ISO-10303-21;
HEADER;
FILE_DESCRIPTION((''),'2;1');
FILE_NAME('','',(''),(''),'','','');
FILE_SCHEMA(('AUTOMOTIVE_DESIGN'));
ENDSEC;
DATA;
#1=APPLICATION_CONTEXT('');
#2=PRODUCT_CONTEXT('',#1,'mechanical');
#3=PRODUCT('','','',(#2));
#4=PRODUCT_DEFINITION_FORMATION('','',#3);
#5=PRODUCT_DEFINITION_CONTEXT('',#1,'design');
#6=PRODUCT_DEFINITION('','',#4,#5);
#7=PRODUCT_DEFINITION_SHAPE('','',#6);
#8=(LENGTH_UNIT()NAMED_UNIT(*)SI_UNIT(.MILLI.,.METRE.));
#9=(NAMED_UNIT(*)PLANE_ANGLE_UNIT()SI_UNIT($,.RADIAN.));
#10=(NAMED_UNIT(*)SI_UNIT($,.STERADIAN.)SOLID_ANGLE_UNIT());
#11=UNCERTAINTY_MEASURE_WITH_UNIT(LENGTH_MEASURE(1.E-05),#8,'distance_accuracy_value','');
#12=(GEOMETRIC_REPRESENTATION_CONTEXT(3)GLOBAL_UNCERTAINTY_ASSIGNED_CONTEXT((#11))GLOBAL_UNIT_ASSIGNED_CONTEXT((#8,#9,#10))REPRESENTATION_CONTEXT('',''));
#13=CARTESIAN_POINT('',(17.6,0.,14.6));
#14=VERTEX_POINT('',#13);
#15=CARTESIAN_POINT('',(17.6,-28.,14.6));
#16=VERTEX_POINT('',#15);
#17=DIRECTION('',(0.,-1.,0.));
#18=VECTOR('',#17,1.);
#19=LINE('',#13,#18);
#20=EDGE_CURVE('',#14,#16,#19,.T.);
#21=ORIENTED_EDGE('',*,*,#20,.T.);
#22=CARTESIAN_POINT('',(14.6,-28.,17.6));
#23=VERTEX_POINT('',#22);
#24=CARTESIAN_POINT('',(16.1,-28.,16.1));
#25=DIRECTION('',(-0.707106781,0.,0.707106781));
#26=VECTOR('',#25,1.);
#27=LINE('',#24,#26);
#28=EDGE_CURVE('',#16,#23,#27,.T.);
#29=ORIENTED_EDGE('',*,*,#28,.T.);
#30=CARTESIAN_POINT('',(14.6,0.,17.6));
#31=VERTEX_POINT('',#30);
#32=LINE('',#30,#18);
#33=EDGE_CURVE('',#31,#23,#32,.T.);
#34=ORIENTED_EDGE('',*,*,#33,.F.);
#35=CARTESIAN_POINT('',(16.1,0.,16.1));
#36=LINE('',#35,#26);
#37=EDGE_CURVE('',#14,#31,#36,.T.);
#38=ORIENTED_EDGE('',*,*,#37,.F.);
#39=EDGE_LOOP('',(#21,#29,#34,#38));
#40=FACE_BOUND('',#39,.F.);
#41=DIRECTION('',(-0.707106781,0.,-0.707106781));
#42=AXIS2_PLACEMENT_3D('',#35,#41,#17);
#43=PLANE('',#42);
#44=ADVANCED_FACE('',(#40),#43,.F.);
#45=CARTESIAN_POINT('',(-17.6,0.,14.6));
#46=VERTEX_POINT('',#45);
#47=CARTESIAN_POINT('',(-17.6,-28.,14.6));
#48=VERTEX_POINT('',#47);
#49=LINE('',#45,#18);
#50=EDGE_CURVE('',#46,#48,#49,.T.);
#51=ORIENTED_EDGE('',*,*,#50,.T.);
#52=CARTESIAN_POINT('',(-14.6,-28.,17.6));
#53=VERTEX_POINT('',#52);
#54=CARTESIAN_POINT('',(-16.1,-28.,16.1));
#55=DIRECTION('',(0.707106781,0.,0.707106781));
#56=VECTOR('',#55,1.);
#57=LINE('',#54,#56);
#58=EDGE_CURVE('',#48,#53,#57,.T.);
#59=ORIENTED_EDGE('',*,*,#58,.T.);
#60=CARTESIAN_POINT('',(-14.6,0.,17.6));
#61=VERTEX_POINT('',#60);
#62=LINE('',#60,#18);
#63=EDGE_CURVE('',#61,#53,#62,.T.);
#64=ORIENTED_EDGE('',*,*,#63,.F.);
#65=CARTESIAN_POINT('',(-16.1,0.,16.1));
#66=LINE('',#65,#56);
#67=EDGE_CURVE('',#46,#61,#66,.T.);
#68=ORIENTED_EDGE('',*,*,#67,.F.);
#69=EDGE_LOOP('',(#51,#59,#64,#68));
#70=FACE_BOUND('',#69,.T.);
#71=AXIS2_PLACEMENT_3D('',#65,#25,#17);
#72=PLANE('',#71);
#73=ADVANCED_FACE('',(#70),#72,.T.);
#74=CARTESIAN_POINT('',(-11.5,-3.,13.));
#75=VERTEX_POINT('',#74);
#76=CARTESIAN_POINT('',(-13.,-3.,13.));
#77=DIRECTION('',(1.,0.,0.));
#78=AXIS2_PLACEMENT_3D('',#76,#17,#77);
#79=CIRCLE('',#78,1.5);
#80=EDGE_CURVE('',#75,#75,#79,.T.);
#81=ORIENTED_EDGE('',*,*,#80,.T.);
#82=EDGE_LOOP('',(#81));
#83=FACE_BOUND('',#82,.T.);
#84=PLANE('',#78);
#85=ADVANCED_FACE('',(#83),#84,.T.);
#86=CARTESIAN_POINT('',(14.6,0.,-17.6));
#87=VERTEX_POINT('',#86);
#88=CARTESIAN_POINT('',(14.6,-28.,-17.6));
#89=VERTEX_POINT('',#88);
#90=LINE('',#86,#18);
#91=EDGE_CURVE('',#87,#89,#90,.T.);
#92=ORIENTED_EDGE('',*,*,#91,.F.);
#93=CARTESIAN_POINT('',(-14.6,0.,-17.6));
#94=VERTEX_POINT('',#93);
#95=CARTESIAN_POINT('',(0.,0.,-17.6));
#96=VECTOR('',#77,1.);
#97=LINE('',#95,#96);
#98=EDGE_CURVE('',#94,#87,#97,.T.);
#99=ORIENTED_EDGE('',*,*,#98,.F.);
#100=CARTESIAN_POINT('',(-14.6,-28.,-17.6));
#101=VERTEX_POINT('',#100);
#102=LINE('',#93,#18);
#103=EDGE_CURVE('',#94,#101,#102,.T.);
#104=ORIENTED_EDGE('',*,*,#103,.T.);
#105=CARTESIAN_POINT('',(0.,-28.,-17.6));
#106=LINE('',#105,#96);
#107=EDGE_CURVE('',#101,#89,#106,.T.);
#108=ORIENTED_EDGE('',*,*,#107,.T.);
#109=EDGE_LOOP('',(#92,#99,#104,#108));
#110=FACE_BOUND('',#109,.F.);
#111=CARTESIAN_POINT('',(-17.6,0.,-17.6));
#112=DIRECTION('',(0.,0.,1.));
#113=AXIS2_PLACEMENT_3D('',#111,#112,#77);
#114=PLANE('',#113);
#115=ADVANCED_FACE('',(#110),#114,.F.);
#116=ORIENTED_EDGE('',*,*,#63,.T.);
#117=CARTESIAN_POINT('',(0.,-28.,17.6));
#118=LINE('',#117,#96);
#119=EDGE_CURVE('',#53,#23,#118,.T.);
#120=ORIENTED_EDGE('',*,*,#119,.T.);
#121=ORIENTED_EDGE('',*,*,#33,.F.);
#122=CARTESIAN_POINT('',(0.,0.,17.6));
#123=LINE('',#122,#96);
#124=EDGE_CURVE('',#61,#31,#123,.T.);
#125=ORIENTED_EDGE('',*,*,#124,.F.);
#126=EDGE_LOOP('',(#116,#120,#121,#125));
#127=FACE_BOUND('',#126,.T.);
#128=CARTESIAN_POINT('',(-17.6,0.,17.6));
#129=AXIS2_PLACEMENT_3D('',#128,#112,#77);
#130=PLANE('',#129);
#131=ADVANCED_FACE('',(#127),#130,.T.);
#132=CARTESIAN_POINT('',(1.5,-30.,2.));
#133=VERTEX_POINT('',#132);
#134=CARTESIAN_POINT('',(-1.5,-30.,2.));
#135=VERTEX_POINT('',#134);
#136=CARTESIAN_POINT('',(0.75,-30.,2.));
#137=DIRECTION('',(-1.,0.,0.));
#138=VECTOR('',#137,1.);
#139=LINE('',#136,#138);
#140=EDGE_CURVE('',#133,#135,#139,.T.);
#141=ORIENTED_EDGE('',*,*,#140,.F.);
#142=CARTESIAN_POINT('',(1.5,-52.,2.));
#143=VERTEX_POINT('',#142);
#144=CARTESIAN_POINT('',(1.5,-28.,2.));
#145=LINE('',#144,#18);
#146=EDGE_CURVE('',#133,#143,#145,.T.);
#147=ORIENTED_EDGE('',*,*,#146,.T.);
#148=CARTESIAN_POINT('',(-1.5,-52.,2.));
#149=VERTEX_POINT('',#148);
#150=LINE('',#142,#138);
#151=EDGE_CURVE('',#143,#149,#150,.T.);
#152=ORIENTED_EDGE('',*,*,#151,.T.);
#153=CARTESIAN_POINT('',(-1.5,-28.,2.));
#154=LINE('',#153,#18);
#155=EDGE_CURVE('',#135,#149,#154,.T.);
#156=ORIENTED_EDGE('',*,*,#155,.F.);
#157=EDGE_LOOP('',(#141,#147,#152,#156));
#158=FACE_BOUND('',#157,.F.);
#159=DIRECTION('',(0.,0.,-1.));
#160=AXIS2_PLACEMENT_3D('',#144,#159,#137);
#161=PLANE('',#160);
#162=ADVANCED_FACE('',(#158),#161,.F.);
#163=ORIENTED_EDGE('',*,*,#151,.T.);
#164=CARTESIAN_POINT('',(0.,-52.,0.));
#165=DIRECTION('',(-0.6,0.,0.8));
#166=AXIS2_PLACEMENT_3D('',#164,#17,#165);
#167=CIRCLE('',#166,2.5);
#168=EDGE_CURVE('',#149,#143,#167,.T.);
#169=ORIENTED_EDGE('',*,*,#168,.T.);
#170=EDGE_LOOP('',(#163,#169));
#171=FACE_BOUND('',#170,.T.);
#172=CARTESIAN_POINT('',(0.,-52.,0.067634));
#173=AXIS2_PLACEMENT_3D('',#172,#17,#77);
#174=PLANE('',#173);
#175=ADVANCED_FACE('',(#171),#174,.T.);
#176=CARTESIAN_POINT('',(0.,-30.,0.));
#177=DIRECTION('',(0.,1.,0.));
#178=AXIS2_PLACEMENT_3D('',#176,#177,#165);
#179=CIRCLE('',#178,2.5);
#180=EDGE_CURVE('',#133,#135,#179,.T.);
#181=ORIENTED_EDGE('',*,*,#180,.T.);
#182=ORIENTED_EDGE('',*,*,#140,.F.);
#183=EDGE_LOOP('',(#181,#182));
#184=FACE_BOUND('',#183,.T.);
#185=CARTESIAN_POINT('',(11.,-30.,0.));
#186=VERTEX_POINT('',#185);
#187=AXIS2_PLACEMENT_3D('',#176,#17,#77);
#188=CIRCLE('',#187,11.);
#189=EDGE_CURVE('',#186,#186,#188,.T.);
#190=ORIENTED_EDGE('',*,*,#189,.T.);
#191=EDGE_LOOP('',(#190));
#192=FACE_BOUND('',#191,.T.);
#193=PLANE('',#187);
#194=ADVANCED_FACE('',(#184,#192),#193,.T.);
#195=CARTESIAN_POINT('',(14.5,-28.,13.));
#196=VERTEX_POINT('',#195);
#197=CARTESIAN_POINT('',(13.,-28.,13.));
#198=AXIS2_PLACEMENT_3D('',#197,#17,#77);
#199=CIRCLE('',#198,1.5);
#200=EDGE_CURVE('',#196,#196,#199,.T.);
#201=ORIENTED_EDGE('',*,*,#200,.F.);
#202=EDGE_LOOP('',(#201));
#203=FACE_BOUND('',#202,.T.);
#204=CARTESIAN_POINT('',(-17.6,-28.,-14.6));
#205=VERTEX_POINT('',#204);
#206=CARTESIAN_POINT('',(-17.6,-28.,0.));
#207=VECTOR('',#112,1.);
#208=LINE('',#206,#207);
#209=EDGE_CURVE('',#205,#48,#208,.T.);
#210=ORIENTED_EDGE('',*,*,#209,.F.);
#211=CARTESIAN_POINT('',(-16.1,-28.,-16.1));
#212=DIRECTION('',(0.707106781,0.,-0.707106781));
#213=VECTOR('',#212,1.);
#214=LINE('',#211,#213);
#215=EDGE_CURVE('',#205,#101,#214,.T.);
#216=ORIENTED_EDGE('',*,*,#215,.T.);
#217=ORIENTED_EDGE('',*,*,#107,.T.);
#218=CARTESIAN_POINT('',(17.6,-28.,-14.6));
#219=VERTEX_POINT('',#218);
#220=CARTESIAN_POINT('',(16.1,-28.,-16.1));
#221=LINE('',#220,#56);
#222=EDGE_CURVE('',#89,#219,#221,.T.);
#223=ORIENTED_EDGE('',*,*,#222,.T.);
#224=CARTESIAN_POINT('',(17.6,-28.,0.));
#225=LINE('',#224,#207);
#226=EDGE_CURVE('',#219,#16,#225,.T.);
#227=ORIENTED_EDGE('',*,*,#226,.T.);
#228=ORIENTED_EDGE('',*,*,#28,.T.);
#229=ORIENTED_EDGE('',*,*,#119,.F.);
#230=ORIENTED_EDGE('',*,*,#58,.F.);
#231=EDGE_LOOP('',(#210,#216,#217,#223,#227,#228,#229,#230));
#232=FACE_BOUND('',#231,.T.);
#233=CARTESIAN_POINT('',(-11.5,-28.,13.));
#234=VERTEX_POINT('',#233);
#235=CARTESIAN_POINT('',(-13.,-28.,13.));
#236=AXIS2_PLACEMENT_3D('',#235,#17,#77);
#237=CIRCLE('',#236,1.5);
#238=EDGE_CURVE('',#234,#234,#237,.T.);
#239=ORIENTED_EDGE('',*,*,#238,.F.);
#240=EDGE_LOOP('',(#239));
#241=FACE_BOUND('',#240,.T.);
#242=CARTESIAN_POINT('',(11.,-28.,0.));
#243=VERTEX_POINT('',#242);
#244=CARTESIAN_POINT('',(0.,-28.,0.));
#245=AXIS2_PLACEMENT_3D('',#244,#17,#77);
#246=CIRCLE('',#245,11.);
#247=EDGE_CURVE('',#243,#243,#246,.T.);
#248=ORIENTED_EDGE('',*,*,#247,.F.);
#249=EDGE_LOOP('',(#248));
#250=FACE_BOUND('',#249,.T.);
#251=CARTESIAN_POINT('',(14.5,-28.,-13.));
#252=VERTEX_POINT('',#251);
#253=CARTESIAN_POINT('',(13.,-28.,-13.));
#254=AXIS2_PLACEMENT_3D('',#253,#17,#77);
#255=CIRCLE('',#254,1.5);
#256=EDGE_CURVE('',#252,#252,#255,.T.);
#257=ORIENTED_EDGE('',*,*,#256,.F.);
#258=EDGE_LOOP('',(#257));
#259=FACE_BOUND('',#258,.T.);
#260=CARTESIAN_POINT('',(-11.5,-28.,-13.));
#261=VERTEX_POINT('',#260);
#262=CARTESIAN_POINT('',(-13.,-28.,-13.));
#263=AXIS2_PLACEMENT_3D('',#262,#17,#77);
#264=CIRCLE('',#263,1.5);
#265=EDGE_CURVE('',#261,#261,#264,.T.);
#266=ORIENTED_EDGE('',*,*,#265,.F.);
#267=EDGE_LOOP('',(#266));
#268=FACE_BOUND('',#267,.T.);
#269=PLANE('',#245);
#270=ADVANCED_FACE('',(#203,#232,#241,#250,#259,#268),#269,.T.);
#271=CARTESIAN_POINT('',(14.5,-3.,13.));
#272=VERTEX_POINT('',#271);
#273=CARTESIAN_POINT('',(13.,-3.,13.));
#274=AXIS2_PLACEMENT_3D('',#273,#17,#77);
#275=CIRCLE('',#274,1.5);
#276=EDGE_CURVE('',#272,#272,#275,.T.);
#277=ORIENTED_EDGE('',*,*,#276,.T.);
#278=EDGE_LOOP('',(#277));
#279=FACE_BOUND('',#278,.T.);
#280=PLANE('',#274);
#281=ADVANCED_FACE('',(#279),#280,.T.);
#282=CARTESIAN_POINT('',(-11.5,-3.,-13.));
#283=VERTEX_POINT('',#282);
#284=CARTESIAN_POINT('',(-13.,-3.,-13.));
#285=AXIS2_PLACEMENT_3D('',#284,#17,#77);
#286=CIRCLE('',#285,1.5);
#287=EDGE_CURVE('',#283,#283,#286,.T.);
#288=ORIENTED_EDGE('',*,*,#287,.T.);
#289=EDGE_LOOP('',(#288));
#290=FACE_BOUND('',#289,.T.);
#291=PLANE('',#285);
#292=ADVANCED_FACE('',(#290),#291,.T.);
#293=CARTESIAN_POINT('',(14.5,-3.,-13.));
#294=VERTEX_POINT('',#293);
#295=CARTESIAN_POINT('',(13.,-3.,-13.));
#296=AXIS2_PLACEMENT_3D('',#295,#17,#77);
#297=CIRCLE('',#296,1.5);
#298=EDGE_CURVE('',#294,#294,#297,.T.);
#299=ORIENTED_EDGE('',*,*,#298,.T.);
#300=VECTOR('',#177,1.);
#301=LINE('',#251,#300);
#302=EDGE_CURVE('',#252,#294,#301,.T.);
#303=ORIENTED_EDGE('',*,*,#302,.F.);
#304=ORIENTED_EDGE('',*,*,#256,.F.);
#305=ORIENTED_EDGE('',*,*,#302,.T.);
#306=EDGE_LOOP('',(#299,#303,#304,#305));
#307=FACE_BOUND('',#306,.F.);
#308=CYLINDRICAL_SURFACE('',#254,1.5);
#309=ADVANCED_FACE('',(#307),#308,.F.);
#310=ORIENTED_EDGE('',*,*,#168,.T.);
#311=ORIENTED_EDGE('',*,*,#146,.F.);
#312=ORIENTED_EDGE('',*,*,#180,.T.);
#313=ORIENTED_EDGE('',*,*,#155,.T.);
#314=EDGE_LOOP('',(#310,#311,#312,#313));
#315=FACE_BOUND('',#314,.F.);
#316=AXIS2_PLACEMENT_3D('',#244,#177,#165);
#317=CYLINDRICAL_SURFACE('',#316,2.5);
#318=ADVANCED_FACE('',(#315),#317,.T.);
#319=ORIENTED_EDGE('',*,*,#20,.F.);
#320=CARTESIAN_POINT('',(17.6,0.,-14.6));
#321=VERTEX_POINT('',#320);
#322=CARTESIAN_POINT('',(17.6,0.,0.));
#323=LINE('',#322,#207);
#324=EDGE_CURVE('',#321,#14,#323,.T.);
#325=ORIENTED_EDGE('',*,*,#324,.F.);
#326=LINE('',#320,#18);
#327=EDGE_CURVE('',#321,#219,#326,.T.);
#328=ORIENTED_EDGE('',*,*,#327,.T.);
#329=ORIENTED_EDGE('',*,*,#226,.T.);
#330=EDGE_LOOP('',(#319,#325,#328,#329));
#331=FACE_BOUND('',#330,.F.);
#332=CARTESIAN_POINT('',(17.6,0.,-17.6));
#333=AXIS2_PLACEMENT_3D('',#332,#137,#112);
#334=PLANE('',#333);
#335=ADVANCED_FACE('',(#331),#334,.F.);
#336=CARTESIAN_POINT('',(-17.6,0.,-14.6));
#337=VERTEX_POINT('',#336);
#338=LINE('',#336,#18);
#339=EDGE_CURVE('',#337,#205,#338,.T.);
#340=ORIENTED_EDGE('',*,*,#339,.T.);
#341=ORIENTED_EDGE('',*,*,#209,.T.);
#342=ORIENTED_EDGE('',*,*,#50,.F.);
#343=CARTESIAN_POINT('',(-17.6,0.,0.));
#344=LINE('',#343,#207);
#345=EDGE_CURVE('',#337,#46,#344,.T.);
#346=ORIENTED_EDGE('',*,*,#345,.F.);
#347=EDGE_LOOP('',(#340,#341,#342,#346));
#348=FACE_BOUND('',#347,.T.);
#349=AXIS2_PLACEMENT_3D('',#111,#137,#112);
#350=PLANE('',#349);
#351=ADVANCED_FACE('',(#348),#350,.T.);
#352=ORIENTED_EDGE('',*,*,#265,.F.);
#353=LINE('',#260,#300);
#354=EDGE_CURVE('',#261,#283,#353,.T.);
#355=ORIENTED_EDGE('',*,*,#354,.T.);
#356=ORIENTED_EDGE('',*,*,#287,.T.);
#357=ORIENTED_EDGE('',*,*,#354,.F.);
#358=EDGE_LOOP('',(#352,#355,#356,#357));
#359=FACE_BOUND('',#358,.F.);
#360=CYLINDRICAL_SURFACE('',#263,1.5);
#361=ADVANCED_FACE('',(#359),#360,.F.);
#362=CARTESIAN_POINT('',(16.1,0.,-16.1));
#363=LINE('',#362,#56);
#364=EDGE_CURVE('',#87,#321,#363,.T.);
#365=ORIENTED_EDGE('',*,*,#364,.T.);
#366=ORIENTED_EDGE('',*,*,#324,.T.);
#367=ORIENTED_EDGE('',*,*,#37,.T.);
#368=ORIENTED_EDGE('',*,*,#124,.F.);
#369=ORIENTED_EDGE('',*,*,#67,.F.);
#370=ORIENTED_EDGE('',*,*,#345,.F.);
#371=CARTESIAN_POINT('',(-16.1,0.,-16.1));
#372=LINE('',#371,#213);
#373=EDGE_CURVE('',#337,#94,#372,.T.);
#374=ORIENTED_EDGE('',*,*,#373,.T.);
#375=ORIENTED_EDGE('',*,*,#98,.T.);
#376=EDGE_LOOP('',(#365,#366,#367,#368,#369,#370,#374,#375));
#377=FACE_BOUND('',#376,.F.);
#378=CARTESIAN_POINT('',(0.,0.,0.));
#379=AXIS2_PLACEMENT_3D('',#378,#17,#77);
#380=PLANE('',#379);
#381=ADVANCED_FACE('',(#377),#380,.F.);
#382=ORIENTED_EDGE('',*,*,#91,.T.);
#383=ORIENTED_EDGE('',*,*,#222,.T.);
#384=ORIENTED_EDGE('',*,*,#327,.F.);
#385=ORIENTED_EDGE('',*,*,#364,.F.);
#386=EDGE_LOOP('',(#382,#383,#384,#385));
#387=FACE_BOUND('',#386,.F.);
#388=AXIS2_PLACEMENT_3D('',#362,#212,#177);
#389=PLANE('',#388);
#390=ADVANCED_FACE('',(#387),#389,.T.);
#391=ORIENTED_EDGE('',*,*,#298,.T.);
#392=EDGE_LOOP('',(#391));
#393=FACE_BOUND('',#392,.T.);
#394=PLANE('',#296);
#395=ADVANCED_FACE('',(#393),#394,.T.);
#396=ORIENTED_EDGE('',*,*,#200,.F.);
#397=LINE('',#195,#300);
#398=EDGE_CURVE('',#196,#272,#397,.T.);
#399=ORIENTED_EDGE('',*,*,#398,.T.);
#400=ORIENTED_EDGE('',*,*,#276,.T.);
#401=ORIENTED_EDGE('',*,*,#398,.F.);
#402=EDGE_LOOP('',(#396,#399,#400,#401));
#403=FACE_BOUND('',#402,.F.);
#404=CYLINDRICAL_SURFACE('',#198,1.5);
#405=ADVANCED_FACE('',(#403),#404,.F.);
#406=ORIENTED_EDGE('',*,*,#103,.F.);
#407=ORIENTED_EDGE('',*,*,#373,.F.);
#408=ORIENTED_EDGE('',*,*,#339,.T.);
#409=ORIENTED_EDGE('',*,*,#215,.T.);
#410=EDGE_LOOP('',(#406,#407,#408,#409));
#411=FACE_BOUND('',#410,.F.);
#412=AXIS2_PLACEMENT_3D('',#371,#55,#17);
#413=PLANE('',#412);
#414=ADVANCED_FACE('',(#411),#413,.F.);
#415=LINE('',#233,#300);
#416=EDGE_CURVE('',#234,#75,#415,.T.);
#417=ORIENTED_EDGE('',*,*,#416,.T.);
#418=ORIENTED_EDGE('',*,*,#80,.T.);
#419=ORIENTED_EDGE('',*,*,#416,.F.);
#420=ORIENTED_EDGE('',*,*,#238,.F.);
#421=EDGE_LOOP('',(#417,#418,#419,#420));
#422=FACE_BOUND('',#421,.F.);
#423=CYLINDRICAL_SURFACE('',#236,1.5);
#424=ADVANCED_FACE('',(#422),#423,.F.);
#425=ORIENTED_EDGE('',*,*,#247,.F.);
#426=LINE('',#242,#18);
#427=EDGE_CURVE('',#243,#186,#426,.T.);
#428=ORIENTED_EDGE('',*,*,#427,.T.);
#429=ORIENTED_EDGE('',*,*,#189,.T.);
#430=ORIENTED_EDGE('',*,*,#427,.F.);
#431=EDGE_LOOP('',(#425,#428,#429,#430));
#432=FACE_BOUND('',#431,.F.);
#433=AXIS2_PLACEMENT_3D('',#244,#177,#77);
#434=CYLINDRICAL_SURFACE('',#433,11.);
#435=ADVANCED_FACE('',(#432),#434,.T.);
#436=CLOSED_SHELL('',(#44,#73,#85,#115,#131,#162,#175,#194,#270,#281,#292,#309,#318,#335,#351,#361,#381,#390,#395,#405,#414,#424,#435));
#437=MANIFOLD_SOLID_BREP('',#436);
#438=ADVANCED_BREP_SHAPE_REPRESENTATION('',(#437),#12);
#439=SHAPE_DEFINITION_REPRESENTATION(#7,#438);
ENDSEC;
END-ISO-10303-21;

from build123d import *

# Parameters (mm, degrees)
F0_W     = 35.2
F0_H     = 35.2
F1_DEPTH = 28
F2_SIZE  = 3
F4_DEPTH = 24
F5_R     = 11
F6_DEPTH = 2
F7_R     = 1.5
F8_DEPTH = 25


with BuildPart() as f1:
    # F0 (on Front) → F1 (new body)
    with BuildSketch(Plane.XZ):
        Rectangle(F0_W, F0_H)
    extrude(amount=F1_DEPTH)

    # F2
    f2_edges = [f1.edges().sort_by_distance(p)[0] for p in [
        (-17.6, -14, 17.6),
        (-17.6, -14, -17.6),
        (17.6, -14, -17.6),
        (17.6, -14, 17.6),
    ]]
    chamfer(f2_edges, length=F2_SIZE)

    # F3 (on face) → F4 (join)
    with BuildSketch(Plane.XZ.offset(28)):
        with BuildLine():
            Line((1.5, 2), (-1.5, 2))
            ThreePointArc((-1.5, 2), (0, -2.5), (1.5, 2))
        make_face()
    extrude(amount=F4_DEPTH)

    # F5 (on face) → F6 (join)
    with BuildSketch(Plane.XZ.offset(28)):
        Circle(F5_R)
    extrude(amount=F6_DEPTH)

    # F7 (on face) → F8 (cut)
    with BuildSketch(Plane.XZ.offset(28)):
        with Locations((-13, 13)):
            Circle(F7_R)
        with Locations((13, 13)):
            Circle(F7_R)
        with Locations((13, -13)):
            Circle(F7_R)
        with Locations((-13, -13)):
            Circle(F7_R)
    extrude(amount=-F8_DEPTH, mode=Mode.SUBTRACT)


solid = f1.part
